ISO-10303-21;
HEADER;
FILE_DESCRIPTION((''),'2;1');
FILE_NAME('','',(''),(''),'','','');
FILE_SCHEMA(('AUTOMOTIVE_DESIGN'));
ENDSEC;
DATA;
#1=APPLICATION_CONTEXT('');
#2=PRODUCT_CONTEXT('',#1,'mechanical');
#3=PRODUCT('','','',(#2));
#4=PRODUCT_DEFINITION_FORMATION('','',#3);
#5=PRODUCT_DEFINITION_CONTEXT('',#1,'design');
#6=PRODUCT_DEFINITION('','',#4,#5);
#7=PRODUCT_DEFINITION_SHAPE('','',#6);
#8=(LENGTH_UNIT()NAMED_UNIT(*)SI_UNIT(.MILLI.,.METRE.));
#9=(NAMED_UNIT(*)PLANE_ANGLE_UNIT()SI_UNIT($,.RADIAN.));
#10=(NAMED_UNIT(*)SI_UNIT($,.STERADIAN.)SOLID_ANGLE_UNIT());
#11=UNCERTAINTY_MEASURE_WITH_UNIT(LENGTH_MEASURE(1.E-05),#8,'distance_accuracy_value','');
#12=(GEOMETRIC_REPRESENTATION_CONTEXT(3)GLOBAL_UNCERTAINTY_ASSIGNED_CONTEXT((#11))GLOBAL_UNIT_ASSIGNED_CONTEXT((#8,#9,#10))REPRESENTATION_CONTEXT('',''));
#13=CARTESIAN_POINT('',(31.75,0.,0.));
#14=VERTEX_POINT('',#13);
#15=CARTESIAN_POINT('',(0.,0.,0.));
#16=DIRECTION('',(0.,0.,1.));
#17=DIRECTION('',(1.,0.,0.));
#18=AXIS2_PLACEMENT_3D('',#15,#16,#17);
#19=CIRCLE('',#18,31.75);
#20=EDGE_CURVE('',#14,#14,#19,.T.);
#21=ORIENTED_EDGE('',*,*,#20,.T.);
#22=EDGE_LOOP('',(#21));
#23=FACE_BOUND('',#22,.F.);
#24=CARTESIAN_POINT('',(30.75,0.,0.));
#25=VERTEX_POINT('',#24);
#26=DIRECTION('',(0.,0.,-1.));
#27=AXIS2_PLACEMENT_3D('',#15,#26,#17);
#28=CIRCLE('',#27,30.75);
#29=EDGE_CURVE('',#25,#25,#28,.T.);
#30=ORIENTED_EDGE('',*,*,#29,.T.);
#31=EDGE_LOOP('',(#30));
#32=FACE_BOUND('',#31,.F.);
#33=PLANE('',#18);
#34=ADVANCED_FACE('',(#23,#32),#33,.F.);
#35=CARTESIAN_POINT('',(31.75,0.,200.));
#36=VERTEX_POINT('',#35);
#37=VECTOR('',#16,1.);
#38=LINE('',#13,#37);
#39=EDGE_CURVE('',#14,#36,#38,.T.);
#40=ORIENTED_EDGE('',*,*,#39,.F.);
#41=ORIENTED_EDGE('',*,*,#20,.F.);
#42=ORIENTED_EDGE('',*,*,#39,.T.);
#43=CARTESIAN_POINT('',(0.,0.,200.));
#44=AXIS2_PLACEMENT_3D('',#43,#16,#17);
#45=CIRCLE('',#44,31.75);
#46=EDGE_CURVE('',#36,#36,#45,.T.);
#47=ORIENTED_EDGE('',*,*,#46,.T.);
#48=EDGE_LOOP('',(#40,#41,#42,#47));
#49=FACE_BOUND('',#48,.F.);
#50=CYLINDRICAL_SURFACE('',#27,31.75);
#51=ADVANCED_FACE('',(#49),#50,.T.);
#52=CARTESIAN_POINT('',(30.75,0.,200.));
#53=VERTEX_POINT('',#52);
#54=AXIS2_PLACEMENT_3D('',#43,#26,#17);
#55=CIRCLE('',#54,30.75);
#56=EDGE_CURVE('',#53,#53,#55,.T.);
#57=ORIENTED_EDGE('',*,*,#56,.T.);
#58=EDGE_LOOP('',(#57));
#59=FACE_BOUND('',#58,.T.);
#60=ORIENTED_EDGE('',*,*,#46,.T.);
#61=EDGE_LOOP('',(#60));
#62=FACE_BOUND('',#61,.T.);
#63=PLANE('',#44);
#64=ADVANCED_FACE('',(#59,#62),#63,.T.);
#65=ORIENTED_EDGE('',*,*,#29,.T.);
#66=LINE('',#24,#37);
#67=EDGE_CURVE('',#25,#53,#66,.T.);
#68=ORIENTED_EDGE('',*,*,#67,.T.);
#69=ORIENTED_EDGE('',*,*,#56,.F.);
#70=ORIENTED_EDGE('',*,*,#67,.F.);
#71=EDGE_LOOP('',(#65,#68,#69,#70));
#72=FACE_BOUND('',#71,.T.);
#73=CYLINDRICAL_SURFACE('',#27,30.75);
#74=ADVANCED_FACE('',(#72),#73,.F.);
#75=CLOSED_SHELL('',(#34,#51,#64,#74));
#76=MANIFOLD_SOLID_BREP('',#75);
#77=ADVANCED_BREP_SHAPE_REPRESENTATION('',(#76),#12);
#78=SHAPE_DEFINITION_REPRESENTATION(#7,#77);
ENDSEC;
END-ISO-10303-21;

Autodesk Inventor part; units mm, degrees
ref_plane "YZ Plane" through (0, 0, 0) normal (1, 0, 0) x (0, 1, 0)
ref_plane "XZ Plane" through (0, 0, 0) normal (0, 1, 0) x (-1, 0, 0)
ref_plane "XY Plane" through (0, 0, 0) normal (0, 0, 1) x (1, 0, 0)
sketch "Sketch1" plane through (0, 0, 0) normal (0, 0, 1) x (1, 0, 0)
  circle A0 centre (0, 0) radius 31.75
  dimension "d0" = 63.5
extrude "Extrusion1" add sketch "Sketch1" along normal blind 200
shell "Shell1" thickness 1 removed faces 2 at (-16.8769, -4.9183, 0) at (-16.8769, -4.9183, 200)
properties part number "instead-of-bellows" material "Stainless Steel"
